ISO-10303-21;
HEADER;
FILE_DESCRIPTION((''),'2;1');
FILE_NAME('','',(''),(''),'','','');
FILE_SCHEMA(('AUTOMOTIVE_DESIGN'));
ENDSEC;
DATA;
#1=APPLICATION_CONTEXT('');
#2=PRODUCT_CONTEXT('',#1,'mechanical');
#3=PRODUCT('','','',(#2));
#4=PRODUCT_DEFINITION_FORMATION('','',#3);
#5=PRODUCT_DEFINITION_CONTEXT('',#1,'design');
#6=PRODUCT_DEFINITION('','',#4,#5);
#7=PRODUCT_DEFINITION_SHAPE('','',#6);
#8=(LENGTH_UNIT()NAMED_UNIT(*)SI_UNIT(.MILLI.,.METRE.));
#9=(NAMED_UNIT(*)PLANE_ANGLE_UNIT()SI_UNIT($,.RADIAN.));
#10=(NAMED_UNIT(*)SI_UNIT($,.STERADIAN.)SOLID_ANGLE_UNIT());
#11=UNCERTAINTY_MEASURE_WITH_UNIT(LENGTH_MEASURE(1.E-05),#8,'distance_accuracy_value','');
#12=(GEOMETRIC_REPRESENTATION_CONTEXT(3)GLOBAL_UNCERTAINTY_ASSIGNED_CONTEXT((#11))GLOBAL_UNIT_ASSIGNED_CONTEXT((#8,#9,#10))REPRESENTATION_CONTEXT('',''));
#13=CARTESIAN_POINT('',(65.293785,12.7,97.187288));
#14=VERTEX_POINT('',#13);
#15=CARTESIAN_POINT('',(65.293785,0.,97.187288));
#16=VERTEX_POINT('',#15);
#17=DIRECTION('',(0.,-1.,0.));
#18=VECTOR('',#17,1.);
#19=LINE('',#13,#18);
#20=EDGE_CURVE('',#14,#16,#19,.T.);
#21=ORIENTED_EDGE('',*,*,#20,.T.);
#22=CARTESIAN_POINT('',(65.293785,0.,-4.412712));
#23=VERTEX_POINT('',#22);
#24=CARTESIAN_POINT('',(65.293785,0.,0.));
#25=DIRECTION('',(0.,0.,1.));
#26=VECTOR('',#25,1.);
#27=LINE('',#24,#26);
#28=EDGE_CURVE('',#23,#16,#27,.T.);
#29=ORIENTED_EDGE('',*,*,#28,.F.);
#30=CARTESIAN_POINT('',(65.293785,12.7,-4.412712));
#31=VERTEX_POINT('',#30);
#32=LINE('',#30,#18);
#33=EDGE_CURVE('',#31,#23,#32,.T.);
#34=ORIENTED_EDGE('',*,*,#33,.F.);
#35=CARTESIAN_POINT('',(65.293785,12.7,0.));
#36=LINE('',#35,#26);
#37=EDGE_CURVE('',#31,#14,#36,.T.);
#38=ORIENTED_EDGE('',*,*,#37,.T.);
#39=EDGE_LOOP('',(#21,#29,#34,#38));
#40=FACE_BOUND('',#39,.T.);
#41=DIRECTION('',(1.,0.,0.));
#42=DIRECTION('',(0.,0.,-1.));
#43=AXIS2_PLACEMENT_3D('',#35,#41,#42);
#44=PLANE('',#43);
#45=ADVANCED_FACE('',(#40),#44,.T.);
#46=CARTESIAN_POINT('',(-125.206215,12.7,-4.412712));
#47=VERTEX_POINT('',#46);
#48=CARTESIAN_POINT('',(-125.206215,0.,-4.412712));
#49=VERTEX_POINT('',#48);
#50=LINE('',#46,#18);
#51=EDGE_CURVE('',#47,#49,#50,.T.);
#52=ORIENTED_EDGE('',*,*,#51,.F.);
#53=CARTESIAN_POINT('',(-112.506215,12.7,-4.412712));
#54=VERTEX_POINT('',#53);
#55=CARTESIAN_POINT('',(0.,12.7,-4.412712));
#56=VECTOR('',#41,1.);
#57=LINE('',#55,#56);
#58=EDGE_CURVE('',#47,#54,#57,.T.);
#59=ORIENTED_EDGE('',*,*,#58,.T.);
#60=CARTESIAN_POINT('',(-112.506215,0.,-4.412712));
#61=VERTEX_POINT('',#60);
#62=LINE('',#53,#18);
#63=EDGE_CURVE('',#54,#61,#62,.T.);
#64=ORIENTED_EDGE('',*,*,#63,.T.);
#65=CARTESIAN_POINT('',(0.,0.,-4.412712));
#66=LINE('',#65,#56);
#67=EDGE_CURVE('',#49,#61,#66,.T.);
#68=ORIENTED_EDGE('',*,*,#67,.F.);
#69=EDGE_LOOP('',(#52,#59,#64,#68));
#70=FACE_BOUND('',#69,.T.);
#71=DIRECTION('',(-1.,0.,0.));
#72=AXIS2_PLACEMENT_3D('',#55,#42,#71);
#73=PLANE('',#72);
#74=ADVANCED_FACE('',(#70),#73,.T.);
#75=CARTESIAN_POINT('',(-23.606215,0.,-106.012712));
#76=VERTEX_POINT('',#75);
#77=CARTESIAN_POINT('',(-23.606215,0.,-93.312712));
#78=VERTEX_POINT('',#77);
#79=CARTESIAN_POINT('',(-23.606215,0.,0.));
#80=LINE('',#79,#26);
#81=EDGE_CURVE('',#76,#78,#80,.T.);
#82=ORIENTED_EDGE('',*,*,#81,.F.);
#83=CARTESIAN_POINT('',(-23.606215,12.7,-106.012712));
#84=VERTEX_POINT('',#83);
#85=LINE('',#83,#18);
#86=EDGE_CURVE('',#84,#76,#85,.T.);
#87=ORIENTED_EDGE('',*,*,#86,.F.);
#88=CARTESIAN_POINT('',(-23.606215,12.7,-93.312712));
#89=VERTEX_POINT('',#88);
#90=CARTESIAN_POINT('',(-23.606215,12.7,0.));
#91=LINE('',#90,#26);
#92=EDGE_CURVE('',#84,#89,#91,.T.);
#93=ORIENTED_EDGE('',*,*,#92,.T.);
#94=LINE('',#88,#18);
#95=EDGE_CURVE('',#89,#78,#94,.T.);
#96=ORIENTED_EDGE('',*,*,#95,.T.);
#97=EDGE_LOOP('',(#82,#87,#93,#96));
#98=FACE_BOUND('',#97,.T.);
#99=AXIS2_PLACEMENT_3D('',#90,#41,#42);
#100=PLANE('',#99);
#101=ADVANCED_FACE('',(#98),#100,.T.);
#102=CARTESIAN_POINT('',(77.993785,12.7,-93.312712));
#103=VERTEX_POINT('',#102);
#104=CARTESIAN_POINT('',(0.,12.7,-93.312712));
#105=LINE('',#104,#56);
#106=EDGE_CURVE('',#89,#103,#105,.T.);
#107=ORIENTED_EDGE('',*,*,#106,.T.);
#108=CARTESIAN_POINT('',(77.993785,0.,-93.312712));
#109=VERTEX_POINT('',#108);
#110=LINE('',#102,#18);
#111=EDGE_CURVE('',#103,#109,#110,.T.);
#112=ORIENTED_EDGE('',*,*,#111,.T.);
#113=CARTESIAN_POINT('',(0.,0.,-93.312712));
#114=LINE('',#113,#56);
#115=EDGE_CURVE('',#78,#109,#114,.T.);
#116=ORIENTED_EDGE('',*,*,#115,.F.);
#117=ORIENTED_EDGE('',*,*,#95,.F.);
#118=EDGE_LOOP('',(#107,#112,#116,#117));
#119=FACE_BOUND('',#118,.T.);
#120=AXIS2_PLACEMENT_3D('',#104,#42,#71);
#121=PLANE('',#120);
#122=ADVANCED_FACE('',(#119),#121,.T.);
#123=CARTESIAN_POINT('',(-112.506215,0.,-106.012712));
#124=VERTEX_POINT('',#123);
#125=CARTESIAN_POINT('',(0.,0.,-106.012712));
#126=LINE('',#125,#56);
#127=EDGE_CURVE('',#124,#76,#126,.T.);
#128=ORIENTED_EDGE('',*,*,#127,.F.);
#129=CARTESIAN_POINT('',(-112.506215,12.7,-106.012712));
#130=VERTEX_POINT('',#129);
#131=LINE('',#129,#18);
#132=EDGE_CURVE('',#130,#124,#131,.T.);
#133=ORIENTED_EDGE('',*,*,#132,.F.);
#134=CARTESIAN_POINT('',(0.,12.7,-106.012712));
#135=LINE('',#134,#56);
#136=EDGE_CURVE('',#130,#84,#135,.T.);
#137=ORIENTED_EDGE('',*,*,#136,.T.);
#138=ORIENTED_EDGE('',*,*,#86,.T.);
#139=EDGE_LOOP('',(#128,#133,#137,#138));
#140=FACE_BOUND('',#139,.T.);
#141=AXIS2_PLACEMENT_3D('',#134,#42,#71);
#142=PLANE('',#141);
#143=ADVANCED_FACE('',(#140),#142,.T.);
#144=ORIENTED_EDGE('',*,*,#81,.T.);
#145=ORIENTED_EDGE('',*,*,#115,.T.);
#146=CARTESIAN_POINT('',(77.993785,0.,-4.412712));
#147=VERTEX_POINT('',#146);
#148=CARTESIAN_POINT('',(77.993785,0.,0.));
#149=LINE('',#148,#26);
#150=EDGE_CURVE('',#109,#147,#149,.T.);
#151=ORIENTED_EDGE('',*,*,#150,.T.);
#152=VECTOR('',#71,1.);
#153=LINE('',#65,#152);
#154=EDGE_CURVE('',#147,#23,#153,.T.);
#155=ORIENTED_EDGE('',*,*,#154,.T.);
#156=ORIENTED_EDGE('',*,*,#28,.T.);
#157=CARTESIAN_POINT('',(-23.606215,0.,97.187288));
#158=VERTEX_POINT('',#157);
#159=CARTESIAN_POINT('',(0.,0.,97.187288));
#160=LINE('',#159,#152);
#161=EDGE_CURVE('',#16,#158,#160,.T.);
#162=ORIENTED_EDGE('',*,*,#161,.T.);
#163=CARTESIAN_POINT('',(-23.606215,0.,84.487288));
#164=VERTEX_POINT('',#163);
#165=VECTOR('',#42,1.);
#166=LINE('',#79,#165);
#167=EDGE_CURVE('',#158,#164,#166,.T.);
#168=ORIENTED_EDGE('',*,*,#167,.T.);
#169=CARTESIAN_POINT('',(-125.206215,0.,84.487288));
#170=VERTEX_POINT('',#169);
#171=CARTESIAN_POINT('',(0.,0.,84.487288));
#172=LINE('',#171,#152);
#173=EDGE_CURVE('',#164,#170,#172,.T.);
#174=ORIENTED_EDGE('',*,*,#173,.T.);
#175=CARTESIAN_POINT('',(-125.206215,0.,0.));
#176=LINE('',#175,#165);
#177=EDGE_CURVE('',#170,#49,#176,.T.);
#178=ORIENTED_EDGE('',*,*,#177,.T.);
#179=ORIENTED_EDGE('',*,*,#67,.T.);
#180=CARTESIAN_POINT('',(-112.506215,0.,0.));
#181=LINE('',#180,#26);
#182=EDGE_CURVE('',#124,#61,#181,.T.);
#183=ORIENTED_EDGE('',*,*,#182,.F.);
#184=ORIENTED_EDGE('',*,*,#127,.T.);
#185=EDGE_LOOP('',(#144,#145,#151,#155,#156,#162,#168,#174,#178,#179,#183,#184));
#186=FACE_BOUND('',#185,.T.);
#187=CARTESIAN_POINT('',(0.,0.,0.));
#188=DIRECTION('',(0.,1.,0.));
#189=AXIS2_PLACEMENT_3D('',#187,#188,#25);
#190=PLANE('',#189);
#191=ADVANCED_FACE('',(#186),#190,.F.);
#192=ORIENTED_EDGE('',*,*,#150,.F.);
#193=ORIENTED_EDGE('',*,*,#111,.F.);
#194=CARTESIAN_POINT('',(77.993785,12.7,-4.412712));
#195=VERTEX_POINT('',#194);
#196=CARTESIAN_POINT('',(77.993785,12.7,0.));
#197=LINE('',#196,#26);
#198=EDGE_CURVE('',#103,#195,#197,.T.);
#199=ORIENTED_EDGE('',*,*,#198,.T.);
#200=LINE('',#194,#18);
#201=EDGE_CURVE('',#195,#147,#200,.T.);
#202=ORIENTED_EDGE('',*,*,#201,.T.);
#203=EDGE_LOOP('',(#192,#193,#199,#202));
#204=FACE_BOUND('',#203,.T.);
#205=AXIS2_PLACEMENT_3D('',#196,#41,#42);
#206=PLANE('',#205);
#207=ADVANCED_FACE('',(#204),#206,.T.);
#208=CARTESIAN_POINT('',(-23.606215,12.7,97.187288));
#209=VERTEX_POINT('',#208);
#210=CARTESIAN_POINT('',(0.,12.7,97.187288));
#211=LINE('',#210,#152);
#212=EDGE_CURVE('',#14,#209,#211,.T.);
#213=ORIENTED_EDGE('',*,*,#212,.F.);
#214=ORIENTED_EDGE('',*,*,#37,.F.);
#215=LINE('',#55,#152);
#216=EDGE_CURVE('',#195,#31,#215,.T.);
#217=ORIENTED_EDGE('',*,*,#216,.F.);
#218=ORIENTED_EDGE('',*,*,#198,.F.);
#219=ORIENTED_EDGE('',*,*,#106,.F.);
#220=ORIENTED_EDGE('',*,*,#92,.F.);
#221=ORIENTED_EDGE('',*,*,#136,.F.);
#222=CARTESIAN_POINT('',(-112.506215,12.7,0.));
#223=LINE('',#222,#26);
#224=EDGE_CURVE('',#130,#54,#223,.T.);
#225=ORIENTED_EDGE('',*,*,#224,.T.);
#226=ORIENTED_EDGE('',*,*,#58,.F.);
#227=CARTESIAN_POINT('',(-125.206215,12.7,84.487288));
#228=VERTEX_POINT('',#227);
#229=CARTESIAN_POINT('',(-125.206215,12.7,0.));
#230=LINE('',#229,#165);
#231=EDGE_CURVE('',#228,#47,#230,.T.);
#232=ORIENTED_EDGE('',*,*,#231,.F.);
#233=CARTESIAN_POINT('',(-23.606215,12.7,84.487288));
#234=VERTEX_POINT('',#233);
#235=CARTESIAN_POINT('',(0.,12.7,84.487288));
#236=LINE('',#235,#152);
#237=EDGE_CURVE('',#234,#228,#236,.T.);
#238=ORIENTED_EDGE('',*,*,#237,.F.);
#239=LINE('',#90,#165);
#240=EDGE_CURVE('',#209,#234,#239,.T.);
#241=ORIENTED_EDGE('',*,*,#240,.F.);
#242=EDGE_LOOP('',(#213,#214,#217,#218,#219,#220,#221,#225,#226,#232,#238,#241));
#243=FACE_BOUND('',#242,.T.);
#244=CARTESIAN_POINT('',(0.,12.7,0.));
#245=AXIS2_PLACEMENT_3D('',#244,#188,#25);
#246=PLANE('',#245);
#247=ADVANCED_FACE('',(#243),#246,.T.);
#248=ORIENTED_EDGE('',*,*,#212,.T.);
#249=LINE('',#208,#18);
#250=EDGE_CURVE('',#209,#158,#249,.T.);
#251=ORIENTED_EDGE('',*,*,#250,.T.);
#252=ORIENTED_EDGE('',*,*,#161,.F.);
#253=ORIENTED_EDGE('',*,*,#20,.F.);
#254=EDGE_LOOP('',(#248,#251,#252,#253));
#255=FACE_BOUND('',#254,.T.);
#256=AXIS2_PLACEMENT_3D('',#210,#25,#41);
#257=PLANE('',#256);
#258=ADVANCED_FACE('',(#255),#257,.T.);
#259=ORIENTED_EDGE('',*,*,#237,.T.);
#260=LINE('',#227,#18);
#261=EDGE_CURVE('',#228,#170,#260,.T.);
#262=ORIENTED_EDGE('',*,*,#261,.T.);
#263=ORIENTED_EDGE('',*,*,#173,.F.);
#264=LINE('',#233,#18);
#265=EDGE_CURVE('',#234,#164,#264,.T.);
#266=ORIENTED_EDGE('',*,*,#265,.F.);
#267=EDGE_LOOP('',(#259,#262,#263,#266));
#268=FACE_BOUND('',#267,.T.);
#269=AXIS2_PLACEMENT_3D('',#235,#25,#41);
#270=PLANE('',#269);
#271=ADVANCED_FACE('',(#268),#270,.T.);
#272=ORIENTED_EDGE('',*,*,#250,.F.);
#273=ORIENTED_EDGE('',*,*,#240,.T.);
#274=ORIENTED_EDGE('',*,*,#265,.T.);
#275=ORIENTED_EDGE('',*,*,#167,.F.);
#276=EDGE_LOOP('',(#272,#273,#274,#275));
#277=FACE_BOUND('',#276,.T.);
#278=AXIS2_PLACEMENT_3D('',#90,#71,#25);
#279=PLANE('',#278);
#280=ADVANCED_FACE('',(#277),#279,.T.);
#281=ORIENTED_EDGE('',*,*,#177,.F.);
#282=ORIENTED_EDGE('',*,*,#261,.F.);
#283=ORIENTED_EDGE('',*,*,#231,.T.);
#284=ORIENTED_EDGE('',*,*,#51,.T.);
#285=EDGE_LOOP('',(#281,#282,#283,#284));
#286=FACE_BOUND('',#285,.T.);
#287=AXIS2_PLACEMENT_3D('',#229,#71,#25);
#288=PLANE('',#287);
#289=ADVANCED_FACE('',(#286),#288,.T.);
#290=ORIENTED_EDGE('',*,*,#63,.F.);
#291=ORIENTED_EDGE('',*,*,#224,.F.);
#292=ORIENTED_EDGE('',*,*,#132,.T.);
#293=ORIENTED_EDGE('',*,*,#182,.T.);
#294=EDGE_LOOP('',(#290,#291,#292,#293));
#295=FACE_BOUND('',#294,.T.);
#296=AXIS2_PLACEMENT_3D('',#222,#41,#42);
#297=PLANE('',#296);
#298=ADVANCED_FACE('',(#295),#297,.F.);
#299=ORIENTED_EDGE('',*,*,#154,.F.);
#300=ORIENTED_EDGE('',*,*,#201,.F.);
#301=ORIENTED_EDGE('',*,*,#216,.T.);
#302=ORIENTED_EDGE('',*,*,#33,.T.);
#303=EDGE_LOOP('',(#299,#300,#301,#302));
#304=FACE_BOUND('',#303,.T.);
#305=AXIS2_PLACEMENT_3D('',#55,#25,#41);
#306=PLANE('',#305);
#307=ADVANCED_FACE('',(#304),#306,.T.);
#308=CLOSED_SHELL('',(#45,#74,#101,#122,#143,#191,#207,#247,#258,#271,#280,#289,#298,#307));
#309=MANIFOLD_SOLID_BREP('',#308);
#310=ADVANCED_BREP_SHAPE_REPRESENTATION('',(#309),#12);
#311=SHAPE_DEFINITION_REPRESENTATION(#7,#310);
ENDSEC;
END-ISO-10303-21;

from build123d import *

# Parameters (mm, degrees)
SKETCH1_W           = 12.7
SKETCH1_H           = 88.9
SKETCH1_W_2         = 88.9
SKETCH1_H_2         = 12.7
SKETCH1_W_3         = 177.8
SKETCH1_H_3         = 177.8
BOSS_EXTRUDE1_DEPTH = 12.7


with BuildPart() as part:
    # Sketch1 → Boss-Extrude1 (new body)
    with BuildSketch(Plane(origin=(0, 0, 0), x_dir=(1, 0, 0), z_dir=(0, 1, 0))):
        with Locations((-118.856214689, -40.037288136)):
            Rectangle(SKETCH1_W, SKETCH1_H)
        with Locations((-68.056214689, 99.662711864)):
            Rectangle(SKETCH1_W_2, SKETCH1_H_2)
        with Locations((-23.606214689, 4.412711864)):
            Rectangle(SKETCH1_W_3, SKETCH1_H_3)
        with Locations((71.643785311, 48.862711864)):
            Rectangle(SKETCH1_W, SKETCH1_H)
        with Locations((20.843785311, -90.837288136)):
            Rectangle(SKETCH1_W_2, SKETCH1_H_2)
    extrude(amount=BOSS_EXTRUDE1_DEPTH)


solid = part.part
